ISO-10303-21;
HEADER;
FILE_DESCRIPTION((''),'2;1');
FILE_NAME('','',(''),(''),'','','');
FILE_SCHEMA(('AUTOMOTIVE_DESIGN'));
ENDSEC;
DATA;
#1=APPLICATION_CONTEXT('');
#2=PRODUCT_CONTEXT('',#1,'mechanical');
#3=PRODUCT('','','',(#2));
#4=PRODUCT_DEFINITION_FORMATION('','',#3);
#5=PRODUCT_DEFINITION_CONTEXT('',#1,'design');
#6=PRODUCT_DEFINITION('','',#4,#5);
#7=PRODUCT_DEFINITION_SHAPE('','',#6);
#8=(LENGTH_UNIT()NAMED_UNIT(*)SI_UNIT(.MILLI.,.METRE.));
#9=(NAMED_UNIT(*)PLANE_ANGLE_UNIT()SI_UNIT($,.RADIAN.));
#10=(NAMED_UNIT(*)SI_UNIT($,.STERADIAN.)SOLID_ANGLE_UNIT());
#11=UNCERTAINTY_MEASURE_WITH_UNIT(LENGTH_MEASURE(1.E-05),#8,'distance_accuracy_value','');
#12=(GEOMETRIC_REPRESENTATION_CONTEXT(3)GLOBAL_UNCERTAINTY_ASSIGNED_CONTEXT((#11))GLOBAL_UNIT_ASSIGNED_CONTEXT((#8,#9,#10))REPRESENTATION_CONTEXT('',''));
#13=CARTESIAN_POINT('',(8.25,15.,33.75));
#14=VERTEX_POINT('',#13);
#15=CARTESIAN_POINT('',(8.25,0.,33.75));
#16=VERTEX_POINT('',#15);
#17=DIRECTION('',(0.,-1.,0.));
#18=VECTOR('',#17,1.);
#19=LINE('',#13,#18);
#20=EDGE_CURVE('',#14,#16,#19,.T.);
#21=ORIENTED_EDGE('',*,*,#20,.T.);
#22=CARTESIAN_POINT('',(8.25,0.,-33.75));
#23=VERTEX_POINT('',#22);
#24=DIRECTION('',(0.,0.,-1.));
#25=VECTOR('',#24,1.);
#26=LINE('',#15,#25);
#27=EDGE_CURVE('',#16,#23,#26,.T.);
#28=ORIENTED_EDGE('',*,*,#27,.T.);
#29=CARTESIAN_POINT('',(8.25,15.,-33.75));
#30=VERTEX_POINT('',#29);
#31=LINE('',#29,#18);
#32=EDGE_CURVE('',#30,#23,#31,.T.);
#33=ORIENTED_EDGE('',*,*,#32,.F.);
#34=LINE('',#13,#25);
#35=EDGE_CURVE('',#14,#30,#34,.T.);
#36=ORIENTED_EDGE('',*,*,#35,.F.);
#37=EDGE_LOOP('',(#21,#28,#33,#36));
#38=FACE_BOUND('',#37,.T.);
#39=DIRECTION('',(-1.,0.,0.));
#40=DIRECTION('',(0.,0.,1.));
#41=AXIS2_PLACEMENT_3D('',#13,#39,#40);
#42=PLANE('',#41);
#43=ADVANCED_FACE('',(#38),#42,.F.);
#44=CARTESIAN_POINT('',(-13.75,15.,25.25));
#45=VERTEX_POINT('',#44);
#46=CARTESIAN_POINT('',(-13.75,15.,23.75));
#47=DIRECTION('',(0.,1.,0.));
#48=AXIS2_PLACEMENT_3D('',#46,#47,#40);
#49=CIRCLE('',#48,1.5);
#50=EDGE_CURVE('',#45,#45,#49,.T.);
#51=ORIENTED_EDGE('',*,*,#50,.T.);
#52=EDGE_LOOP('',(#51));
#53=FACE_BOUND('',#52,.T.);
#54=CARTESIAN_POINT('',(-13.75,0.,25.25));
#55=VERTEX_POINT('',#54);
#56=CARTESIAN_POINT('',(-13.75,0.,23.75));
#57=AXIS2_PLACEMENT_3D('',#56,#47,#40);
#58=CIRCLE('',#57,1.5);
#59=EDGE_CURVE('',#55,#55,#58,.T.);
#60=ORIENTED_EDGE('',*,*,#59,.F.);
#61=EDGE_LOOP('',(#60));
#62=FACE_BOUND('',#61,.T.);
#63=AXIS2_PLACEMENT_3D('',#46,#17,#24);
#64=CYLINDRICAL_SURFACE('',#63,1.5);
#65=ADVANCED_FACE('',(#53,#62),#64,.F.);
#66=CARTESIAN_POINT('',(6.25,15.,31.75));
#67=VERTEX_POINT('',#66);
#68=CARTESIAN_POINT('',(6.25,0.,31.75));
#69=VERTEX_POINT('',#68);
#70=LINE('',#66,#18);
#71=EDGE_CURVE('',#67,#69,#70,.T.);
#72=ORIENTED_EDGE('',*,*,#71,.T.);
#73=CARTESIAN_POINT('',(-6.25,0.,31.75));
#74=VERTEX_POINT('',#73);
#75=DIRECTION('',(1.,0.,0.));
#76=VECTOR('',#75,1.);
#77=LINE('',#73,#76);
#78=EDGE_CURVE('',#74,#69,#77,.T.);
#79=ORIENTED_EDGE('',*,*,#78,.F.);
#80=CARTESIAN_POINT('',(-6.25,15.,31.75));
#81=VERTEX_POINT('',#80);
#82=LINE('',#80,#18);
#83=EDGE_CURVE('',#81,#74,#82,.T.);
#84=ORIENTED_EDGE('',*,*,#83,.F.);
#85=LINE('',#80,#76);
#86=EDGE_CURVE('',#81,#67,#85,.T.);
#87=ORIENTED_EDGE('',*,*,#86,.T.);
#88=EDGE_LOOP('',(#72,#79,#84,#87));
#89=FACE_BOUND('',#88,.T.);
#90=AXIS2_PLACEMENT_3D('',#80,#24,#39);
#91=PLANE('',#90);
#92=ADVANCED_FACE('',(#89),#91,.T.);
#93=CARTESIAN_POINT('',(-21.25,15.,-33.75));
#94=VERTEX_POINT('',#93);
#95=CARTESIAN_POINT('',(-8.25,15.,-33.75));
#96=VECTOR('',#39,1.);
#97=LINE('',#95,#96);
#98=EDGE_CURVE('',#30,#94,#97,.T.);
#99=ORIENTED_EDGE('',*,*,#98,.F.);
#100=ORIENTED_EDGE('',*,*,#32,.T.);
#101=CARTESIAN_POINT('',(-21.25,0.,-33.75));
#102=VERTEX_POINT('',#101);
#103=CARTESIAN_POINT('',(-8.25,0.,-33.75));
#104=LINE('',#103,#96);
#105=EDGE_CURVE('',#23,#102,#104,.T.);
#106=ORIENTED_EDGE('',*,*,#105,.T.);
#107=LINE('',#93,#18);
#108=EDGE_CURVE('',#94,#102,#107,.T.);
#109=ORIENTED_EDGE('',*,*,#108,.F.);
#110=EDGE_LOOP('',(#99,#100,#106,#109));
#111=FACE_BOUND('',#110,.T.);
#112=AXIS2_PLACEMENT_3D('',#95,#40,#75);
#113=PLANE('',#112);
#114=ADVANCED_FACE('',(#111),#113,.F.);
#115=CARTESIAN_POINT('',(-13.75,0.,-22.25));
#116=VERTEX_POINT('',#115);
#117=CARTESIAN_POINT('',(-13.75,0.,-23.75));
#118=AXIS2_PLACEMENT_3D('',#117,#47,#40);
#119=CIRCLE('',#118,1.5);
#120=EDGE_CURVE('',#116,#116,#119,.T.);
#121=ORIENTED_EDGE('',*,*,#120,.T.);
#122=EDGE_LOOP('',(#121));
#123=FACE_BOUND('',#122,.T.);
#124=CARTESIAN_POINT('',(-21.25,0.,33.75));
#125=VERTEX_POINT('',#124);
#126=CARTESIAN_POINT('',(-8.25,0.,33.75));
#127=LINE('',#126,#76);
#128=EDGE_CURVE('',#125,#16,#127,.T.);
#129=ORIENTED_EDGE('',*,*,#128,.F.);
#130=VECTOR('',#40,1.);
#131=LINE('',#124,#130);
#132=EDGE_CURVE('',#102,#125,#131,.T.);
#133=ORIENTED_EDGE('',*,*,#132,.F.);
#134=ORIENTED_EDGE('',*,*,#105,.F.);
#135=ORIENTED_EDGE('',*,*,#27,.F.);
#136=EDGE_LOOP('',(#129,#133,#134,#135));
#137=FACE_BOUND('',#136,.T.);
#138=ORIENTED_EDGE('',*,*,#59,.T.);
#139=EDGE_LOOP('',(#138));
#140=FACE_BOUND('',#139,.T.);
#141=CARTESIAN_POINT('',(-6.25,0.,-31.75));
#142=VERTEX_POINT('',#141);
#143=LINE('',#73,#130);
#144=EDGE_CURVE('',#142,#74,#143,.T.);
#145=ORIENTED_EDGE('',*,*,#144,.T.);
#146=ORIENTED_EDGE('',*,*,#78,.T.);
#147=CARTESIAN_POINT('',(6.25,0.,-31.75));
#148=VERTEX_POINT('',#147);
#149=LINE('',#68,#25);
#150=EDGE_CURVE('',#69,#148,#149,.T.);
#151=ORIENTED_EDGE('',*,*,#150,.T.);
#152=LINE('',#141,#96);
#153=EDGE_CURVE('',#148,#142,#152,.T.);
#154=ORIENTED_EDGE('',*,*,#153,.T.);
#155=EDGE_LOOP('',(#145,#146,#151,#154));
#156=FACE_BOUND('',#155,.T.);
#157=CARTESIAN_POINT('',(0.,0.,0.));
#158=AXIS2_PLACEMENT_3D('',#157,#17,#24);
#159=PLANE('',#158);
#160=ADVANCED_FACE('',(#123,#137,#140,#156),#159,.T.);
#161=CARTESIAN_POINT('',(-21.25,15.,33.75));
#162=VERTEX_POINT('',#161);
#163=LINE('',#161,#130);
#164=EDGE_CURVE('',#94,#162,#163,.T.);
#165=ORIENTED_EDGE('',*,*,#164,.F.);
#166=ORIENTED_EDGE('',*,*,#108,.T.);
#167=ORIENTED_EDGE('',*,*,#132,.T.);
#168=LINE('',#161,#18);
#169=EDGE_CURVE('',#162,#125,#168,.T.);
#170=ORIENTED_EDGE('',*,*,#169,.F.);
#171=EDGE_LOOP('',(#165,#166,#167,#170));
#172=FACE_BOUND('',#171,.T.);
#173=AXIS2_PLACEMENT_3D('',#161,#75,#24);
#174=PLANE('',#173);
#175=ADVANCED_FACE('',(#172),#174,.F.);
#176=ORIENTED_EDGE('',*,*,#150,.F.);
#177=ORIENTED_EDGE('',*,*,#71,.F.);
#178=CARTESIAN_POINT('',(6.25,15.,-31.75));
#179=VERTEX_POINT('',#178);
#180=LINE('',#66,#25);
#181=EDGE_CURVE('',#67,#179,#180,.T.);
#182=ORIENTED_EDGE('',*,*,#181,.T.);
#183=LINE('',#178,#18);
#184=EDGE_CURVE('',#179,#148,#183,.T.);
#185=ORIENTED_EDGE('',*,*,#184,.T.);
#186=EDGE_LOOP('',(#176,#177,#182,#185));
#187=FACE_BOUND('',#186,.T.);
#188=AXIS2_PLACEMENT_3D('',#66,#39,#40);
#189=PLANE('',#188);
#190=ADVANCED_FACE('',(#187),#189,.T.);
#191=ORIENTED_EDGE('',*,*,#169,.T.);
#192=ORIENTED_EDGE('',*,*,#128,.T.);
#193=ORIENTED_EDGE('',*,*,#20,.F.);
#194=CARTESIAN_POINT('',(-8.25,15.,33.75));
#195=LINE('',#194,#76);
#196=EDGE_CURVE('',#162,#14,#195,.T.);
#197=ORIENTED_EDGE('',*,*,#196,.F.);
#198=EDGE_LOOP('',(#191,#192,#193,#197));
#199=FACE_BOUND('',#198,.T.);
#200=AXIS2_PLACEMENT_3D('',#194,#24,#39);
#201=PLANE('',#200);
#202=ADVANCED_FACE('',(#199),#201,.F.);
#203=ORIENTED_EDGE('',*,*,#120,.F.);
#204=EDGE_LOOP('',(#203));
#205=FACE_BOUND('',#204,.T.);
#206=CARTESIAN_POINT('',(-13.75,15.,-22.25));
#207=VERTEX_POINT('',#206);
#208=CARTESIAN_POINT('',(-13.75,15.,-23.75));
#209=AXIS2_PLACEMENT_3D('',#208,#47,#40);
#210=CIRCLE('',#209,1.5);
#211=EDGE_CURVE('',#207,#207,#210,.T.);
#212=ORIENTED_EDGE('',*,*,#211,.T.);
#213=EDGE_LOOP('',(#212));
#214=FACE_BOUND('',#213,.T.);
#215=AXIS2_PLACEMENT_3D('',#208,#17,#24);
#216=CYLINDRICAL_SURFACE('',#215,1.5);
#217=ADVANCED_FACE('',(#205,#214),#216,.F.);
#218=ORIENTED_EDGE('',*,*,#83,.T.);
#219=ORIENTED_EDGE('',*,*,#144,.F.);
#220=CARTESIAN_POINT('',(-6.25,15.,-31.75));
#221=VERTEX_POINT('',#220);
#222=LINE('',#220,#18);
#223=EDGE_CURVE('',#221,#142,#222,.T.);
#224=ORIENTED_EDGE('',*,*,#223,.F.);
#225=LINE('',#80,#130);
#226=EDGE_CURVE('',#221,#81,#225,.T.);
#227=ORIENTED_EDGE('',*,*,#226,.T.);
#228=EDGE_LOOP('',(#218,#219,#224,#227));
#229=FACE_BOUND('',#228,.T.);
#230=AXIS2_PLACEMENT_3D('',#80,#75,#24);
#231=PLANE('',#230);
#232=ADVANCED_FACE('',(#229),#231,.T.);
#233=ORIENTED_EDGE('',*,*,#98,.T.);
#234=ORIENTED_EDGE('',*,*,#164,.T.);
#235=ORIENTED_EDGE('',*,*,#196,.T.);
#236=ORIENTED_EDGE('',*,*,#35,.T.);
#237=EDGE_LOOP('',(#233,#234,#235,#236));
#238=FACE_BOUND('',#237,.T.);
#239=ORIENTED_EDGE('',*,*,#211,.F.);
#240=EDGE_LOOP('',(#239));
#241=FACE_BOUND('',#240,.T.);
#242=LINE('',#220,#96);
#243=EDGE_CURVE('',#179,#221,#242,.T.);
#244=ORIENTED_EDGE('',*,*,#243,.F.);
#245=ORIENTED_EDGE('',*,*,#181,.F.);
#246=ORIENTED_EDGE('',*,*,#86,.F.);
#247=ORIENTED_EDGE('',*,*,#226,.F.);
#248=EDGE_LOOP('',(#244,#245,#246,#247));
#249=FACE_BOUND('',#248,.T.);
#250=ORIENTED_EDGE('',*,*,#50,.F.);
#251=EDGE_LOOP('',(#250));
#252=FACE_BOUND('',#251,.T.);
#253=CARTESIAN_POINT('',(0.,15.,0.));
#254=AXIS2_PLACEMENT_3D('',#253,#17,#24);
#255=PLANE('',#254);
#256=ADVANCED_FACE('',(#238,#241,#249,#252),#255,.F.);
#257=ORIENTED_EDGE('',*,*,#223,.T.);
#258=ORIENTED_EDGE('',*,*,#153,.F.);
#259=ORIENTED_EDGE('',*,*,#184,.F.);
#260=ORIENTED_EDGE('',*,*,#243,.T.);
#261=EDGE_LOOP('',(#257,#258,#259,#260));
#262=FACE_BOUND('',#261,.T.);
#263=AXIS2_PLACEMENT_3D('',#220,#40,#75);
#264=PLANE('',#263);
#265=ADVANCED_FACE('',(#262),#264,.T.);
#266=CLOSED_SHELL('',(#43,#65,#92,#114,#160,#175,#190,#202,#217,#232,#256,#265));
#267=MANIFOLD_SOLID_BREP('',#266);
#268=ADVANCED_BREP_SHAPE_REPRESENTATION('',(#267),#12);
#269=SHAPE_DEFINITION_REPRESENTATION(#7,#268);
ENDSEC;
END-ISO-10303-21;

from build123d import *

# Parameters (mm, degrees)
CROQUIS1_R              = 1.5
CROQUIS1_W              = 12.5
CROQUIS1_H              = 63.5
SALIENTE_EXTRUIR1_DEPTH = 15


with BuildPart() as part:
    # Croquis1 → Saliente-Extruir1 (new body)
    with BuildSketch(Plane(origin=(0, 0, 0), x_dir=(1, 0, 0), z_dir=(0, 1, 0))):
        Polygon((-8.25, 33.75), (8.25, 33.75), (8.25, -33.75), (-8.25, -33.75), (-21.25, -33.75), (-21.25, 33.75), align=None)
        with Locations(Location((-13.75, -23.75, 0), (0, 0, 270))):
            Circle(CROQUIS1_R, mode=Mode.SUBTRACT)
        with Locations(Location((-13.75, 23.75, 0), (0, 0, 270))):
            Circle(CROQUIS1_R, mode=Mode.SUBTRACT)
        Rectangle(CROQUIS1_W, CROQUIS1_H, mode=Mode.SUBTRACT)
    extrude(amount=SALIENTE_EXTRUIR1_DEPTH)


solid = part.part
